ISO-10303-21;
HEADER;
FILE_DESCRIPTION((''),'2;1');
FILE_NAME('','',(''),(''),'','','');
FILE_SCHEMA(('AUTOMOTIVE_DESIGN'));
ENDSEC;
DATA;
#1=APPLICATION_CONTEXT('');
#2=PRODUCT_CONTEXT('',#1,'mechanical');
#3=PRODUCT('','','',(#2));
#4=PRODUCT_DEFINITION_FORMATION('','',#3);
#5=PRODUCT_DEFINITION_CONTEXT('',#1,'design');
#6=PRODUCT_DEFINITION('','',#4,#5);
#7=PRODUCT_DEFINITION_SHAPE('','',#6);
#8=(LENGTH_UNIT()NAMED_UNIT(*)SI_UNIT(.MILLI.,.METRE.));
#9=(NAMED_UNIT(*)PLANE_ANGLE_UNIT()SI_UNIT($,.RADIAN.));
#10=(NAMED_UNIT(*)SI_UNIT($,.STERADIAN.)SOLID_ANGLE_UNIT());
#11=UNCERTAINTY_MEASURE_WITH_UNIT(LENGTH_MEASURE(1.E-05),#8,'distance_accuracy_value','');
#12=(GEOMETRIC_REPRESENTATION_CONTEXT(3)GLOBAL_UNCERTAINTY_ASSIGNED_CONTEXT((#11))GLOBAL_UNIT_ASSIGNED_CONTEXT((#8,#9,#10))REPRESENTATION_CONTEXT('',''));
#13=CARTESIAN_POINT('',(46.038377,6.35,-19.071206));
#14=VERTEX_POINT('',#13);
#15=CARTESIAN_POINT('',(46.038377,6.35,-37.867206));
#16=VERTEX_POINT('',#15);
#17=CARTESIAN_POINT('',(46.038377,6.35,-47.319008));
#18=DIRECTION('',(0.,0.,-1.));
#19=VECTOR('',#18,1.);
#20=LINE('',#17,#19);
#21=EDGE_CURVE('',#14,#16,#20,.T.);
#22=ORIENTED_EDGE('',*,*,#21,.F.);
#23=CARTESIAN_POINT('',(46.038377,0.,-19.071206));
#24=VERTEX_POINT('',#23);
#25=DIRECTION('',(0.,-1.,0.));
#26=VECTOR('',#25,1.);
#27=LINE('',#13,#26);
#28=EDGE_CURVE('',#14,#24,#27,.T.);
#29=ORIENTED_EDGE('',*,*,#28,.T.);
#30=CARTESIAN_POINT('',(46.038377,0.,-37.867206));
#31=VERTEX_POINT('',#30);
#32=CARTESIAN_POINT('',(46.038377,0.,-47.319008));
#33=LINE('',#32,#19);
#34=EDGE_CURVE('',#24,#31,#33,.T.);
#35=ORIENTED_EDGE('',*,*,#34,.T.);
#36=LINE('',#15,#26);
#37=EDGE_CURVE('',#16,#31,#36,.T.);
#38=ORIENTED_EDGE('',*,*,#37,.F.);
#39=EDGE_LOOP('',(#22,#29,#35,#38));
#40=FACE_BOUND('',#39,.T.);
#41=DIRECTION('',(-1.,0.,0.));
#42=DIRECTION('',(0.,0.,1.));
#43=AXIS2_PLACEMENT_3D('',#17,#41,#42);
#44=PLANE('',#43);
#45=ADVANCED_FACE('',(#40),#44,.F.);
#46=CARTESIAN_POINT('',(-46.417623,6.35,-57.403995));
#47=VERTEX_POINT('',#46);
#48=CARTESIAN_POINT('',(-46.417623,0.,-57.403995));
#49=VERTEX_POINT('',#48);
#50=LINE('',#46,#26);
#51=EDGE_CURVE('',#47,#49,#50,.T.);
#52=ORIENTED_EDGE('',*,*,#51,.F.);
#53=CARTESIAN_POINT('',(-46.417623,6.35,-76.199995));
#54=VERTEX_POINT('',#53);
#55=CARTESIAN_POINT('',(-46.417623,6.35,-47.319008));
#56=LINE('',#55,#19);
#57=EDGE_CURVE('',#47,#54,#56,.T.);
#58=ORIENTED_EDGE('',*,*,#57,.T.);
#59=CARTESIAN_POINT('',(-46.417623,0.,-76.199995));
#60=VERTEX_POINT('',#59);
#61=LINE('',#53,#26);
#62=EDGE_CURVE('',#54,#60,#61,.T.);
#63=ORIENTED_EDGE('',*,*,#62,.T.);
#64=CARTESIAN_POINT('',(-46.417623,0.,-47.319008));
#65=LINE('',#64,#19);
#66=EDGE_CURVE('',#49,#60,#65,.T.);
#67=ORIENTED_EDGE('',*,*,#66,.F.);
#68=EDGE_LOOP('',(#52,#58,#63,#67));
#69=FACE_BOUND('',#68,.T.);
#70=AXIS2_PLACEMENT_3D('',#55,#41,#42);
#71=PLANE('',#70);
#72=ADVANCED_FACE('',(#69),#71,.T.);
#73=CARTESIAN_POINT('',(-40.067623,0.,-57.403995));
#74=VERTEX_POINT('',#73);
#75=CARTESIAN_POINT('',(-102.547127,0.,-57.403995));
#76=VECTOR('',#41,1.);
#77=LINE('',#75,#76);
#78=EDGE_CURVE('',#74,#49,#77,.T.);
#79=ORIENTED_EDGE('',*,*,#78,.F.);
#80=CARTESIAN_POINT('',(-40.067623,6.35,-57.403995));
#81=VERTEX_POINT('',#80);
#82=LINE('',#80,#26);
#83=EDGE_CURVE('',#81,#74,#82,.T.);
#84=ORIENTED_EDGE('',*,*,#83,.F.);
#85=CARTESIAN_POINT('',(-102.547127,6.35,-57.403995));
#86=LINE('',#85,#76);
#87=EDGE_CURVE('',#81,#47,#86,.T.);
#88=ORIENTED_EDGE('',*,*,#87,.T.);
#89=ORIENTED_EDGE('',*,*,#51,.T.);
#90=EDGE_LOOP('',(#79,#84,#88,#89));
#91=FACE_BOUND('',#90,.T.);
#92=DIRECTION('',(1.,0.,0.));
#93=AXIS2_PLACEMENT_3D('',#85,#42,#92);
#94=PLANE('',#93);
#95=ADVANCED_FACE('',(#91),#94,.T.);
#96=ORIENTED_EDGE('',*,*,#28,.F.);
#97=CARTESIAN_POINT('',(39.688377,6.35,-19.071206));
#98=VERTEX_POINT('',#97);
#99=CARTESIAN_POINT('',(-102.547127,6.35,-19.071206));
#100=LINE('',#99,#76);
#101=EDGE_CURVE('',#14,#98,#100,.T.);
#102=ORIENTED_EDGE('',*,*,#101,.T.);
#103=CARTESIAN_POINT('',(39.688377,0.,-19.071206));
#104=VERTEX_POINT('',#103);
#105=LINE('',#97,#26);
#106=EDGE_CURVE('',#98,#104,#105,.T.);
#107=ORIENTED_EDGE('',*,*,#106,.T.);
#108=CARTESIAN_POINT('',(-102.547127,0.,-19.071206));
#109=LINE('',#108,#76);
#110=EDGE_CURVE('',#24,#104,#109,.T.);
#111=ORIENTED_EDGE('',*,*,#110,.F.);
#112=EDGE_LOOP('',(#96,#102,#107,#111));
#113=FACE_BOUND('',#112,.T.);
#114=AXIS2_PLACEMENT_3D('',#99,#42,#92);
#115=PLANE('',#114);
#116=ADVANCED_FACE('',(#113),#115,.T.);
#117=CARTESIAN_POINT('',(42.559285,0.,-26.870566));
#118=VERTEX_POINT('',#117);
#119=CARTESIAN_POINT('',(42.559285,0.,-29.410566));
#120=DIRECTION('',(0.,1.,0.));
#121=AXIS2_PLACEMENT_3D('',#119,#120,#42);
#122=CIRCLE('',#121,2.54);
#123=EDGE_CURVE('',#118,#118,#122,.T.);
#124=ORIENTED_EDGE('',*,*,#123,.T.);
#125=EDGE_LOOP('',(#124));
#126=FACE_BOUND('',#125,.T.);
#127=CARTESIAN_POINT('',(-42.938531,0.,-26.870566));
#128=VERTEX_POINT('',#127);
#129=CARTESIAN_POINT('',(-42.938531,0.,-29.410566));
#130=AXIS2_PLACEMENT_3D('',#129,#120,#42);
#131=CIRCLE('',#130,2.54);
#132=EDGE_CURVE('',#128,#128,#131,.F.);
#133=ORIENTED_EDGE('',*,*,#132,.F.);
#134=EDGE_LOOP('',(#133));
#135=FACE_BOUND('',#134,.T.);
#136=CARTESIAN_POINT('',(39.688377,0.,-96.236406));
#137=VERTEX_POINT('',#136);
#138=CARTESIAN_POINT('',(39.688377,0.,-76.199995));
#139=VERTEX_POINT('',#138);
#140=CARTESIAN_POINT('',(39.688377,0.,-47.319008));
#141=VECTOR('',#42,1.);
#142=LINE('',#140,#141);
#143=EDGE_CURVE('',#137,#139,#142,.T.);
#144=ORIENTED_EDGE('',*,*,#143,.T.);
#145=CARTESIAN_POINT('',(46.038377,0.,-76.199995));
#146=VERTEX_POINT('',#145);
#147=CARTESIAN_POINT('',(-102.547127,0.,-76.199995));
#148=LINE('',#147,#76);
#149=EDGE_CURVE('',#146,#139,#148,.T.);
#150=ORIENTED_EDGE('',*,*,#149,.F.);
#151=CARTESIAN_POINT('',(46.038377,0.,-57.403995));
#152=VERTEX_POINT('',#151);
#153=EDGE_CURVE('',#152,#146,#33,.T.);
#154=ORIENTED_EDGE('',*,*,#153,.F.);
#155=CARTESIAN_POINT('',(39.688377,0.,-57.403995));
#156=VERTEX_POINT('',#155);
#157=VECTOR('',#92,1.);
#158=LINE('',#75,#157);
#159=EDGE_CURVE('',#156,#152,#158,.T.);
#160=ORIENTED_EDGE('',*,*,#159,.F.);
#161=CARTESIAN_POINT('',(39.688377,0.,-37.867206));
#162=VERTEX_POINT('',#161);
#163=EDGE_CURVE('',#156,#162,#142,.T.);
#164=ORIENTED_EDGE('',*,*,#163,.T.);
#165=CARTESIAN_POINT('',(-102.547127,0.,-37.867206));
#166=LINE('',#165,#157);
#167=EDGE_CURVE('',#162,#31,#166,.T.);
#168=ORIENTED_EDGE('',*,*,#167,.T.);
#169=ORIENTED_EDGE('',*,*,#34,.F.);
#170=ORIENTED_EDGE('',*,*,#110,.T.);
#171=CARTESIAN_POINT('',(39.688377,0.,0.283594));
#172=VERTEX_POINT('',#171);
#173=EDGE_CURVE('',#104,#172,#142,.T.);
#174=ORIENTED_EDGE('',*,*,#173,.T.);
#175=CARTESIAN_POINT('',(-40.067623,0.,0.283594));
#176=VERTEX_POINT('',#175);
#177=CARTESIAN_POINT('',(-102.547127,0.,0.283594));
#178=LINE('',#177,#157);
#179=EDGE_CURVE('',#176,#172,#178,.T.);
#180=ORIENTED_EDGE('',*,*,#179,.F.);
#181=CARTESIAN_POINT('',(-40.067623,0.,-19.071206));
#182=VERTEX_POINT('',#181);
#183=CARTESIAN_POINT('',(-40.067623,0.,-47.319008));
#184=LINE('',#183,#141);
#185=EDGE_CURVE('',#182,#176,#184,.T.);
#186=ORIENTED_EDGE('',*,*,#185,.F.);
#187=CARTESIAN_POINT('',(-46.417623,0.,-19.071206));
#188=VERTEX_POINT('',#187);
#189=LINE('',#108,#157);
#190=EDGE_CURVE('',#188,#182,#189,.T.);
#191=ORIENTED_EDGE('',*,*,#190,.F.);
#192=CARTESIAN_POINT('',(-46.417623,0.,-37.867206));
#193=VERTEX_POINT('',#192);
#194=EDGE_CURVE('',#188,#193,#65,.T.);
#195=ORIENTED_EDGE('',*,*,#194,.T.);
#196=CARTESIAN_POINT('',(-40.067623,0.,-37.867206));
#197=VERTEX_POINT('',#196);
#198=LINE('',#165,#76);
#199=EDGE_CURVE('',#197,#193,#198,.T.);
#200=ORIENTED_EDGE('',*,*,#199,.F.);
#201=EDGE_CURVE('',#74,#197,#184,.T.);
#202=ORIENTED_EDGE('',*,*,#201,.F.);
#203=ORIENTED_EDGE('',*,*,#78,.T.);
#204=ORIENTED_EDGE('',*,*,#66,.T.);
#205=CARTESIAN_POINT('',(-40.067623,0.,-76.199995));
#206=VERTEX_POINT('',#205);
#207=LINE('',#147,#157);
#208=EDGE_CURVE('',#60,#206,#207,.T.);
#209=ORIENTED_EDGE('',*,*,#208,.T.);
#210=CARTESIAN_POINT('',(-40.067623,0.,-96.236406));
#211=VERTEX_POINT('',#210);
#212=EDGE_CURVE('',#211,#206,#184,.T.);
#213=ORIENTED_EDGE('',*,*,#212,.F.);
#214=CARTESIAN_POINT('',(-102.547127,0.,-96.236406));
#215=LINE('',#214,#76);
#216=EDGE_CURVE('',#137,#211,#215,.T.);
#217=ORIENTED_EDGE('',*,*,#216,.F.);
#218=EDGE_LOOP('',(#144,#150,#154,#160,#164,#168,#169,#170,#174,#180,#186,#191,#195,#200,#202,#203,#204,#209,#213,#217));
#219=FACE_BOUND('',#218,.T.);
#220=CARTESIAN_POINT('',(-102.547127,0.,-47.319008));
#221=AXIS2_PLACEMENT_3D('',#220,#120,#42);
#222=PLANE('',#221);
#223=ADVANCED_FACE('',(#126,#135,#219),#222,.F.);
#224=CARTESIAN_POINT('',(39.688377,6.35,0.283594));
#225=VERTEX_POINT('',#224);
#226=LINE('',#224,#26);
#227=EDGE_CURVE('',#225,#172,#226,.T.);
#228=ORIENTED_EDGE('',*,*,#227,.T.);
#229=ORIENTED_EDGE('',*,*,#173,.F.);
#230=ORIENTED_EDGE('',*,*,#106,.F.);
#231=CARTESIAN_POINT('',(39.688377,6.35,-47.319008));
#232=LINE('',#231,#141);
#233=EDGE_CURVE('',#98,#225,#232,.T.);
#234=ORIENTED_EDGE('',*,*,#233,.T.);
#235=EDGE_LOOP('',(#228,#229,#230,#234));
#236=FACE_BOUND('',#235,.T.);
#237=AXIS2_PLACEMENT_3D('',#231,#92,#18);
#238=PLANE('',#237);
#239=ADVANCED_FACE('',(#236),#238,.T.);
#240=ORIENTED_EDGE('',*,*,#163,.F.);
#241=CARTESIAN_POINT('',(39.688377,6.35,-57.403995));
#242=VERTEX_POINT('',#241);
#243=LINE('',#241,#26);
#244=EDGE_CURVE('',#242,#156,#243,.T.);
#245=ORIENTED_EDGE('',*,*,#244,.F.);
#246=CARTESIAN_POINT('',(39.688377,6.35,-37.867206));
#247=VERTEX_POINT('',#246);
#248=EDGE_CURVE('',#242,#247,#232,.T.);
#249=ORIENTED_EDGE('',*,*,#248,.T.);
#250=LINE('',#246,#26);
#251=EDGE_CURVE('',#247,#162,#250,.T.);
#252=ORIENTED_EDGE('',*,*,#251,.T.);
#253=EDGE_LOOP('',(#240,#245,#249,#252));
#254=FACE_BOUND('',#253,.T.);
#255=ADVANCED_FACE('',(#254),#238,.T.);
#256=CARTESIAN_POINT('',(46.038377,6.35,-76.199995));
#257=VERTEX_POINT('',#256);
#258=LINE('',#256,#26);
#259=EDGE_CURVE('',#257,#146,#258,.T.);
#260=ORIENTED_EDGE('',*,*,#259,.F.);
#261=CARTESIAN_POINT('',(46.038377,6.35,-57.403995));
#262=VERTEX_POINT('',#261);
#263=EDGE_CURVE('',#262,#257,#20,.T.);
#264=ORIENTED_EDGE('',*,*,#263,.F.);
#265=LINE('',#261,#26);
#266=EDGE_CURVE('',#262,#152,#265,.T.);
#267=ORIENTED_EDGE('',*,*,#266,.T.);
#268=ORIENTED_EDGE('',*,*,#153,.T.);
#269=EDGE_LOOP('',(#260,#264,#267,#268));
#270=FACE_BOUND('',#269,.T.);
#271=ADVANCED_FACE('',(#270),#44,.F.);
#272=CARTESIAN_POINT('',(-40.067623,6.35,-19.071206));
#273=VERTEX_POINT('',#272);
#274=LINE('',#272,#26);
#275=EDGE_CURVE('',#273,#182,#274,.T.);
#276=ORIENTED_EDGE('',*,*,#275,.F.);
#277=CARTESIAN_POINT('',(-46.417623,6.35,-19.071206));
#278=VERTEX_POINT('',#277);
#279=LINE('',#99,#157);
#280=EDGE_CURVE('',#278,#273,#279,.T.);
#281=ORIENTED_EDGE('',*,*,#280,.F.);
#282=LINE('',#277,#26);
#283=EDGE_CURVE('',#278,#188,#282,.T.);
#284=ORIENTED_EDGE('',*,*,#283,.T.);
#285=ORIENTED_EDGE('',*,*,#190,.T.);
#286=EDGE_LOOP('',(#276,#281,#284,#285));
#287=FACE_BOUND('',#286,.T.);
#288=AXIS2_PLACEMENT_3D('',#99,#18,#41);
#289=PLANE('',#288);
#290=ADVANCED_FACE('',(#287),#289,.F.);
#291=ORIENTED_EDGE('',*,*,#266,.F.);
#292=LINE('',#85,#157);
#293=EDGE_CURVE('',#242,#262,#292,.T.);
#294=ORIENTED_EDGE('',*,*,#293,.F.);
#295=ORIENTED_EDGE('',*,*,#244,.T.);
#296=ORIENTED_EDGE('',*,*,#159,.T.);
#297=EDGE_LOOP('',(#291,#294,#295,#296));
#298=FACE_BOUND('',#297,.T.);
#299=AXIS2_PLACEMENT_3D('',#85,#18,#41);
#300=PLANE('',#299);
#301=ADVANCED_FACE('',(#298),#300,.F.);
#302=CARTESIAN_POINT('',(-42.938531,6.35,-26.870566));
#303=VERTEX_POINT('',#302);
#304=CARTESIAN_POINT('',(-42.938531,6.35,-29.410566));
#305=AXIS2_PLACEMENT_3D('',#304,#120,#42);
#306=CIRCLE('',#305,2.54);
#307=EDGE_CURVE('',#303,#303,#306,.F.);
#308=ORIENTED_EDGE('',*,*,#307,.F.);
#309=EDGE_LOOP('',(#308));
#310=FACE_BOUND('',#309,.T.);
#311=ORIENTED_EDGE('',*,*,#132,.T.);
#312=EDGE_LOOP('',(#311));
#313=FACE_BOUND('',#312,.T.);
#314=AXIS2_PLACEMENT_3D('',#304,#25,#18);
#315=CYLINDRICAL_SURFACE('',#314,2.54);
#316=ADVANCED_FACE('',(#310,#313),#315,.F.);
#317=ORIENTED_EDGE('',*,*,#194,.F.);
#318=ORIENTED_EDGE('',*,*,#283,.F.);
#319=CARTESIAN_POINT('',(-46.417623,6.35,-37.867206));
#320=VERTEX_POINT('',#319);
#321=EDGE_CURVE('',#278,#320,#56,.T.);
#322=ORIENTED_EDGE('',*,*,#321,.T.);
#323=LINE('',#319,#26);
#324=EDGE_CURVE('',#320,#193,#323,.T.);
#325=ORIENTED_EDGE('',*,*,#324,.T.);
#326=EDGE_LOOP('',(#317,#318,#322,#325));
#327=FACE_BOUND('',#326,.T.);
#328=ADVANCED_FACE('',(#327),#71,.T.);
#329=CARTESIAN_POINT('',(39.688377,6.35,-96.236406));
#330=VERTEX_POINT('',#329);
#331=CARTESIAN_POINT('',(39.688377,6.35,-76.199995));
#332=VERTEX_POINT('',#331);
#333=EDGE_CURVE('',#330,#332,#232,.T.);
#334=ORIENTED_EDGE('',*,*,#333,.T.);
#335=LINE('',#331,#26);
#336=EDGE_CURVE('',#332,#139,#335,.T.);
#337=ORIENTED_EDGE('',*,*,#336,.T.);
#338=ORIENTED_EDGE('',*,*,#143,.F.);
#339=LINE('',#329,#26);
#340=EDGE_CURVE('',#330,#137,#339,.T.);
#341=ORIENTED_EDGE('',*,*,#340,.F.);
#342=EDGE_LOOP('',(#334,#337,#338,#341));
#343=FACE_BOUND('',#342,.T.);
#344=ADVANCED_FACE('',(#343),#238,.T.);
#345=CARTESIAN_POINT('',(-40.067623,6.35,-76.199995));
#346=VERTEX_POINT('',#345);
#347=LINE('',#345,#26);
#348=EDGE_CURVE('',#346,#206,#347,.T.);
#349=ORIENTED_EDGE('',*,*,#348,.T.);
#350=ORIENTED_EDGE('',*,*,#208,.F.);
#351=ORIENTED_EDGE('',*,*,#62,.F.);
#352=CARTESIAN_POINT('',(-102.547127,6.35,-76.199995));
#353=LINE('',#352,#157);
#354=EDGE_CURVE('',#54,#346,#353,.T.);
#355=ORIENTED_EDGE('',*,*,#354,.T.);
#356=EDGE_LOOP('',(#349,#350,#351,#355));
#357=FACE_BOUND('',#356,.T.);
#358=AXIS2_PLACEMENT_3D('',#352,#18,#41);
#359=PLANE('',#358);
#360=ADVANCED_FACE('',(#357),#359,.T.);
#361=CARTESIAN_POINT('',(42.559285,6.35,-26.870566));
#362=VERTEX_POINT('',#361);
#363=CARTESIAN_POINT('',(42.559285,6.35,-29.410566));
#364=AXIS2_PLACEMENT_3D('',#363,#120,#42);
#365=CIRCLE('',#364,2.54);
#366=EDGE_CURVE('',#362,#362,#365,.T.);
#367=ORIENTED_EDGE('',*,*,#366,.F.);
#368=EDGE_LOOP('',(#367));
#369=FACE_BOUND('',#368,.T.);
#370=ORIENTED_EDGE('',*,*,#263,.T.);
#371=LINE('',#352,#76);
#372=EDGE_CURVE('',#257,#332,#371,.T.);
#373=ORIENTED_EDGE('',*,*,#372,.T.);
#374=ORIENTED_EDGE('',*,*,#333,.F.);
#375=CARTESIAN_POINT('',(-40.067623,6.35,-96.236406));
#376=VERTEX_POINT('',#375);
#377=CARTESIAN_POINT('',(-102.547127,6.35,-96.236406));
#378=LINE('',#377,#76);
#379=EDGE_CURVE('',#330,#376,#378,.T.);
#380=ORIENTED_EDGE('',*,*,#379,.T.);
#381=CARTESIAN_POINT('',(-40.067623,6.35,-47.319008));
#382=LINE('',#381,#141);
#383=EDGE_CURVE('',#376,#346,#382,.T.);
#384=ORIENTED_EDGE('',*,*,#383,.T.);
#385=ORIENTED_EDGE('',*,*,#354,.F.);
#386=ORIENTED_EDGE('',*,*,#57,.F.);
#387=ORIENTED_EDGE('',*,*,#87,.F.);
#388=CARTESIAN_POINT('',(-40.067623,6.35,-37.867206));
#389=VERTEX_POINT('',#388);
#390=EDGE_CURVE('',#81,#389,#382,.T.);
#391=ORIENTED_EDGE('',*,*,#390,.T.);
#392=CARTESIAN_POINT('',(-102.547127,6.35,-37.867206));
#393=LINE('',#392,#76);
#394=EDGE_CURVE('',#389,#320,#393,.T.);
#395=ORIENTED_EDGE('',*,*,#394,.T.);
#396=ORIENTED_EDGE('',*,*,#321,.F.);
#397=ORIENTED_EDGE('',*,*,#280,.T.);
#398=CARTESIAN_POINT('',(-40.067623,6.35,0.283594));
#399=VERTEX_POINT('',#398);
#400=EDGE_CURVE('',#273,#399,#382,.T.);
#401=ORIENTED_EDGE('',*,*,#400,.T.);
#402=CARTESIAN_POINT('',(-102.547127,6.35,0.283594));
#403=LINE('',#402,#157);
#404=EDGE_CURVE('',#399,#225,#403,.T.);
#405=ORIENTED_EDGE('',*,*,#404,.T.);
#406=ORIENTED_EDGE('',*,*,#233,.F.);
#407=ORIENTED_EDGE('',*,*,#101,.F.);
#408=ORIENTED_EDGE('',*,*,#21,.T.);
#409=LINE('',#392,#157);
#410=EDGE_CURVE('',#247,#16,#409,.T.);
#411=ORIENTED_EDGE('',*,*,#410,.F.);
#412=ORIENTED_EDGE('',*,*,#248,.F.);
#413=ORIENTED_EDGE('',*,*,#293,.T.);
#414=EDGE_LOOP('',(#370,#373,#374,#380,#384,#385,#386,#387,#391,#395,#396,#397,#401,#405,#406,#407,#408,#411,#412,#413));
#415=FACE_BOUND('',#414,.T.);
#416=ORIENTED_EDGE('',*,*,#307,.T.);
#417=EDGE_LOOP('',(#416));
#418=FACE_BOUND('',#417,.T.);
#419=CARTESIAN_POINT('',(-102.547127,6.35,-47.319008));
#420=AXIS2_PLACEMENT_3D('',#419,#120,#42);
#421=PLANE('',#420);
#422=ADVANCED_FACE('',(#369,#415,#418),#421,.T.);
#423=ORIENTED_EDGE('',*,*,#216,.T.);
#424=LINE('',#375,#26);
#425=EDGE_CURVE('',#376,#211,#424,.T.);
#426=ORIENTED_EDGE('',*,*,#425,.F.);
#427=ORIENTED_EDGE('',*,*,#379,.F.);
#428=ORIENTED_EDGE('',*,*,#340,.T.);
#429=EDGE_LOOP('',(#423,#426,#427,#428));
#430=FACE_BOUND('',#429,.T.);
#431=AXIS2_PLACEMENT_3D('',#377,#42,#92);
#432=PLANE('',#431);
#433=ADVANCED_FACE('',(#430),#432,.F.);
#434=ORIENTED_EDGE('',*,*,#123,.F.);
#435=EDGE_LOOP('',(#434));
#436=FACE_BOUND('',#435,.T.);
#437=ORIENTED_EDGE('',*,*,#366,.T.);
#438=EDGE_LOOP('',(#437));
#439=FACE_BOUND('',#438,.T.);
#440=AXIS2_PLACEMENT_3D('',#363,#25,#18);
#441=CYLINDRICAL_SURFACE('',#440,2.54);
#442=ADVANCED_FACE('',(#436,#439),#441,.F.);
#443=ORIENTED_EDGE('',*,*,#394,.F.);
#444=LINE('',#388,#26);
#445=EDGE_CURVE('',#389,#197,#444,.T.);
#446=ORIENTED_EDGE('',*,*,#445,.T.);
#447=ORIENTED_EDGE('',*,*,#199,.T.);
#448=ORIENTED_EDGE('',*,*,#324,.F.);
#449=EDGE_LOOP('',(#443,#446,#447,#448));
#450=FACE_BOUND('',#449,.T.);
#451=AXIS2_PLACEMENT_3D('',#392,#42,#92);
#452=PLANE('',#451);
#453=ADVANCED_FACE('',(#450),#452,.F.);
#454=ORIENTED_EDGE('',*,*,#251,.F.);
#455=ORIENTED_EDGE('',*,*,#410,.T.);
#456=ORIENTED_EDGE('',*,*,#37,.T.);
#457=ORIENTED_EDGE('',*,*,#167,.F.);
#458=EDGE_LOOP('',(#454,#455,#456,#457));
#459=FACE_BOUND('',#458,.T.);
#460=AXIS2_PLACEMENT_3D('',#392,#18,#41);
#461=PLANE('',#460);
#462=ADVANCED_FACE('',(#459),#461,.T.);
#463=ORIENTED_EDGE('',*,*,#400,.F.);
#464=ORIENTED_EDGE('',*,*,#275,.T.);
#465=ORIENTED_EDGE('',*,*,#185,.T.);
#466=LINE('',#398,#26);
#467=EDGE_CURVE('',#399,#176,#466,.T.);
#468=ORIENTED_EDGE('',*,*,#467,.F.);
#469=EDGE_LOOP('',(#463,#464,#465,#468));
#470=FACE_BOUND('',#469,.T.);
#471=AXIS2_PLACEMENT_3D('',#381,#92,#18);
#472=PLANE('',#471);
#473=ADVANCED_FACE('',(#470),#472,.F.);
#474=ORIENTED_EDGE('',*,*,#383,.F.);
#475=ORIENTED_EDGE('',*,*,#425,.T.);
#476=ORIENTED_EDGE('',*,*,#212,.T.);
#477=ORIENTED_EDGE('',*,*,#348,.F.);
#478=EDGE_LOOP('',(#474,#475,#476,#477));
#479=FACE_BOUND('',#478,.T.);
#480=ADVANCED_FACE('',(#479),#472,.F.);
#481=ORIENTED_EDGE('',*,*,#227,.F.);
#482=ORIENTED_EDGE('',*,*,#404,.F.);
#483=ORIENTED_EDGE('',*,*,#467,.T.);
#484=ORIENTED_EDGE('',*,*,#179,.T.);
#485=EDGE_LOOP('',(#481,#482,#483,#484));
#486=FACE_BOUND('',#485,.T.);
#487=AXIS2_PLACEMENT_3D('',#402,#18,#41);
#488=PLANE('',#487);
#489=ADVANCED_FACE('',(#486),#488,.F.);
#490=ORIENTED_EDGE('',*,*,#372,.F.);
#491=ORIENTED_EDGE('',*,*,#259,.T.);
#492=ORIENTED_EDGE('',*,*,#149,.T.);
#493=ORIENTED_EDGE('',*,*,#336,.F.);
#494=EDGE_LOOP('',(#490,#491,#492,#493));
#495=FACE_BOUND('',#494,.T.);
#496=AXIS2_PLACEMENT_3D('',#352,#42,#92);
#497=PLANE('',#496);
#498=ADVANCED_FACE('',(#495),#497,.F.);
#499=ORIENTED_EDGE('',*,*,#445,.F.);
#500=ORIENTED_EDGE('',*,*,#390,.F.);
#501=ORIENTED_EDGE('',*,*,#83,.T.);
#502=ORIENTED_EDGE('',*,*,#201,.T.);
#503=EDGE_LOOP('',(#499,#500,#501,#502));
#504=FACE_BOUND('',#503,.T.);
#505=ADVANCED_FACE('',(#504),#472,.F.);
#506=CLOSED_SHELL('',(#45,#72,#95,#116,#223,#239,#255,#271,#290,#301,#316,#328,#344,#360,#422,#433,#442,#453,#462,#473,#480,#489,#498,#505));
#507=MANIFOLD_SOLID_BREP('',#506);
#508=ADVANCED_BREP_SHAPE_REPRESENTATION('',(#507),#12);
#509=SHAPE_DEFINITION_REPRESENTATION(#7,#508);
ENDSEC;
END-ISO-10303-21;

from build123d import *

# Parameters (mm, degrees)
SKETCH1_R           = 2.54
BOSS_EXTRUDE1_DEPTH = 6.35


with BuildPart() as part:
    # Sketch1 → Boss-Extrude1 (new body)
    with BuildSketch(Plane(origin=(0, 0, 0), x_dir=(1, 0, 0), z_dir=(0, 1, 0))):
        Polygon((39.688377001, 96.236406132), (39.688377001, 76.199995009), (46.038377001, 76.199995009), (46.038377001, 57.403995009), (39.688377001, 57.403995009), (39.688377001, 37.867206132), (46.038377001, 37.867206132), (46.038377001, 19.071206132), (39.688377001, 19.071206132), (39.688377001, -0.283593868), (-40.067622999, -0.283593868), (-40.067622999, 19.071206132), (-46.417622999, 19.071206132), (-46.417622999, 37.867206132), (-40.067622999, 37.867206132), (-40.067622999, 57.403995009), (-46.417622999, 57.403995009), (-46.417622999, 76.199995009), (-40.067622999, 76.199995009), (-40.067622999, 96.236406132), align=None)
        with Locations((42.559284822, 29.410565998)):
            Circle(SKETCH1_R, mode=Mode.SUBTRACT)
        with Locations((-42.93853082, 29.410565998)):
            Circle(SKETCH1_R, mode=Mode.SUBTRACT)
    extrude(amount=BOSS_EXTRUDE1_DEPTH)


solid = part.part
